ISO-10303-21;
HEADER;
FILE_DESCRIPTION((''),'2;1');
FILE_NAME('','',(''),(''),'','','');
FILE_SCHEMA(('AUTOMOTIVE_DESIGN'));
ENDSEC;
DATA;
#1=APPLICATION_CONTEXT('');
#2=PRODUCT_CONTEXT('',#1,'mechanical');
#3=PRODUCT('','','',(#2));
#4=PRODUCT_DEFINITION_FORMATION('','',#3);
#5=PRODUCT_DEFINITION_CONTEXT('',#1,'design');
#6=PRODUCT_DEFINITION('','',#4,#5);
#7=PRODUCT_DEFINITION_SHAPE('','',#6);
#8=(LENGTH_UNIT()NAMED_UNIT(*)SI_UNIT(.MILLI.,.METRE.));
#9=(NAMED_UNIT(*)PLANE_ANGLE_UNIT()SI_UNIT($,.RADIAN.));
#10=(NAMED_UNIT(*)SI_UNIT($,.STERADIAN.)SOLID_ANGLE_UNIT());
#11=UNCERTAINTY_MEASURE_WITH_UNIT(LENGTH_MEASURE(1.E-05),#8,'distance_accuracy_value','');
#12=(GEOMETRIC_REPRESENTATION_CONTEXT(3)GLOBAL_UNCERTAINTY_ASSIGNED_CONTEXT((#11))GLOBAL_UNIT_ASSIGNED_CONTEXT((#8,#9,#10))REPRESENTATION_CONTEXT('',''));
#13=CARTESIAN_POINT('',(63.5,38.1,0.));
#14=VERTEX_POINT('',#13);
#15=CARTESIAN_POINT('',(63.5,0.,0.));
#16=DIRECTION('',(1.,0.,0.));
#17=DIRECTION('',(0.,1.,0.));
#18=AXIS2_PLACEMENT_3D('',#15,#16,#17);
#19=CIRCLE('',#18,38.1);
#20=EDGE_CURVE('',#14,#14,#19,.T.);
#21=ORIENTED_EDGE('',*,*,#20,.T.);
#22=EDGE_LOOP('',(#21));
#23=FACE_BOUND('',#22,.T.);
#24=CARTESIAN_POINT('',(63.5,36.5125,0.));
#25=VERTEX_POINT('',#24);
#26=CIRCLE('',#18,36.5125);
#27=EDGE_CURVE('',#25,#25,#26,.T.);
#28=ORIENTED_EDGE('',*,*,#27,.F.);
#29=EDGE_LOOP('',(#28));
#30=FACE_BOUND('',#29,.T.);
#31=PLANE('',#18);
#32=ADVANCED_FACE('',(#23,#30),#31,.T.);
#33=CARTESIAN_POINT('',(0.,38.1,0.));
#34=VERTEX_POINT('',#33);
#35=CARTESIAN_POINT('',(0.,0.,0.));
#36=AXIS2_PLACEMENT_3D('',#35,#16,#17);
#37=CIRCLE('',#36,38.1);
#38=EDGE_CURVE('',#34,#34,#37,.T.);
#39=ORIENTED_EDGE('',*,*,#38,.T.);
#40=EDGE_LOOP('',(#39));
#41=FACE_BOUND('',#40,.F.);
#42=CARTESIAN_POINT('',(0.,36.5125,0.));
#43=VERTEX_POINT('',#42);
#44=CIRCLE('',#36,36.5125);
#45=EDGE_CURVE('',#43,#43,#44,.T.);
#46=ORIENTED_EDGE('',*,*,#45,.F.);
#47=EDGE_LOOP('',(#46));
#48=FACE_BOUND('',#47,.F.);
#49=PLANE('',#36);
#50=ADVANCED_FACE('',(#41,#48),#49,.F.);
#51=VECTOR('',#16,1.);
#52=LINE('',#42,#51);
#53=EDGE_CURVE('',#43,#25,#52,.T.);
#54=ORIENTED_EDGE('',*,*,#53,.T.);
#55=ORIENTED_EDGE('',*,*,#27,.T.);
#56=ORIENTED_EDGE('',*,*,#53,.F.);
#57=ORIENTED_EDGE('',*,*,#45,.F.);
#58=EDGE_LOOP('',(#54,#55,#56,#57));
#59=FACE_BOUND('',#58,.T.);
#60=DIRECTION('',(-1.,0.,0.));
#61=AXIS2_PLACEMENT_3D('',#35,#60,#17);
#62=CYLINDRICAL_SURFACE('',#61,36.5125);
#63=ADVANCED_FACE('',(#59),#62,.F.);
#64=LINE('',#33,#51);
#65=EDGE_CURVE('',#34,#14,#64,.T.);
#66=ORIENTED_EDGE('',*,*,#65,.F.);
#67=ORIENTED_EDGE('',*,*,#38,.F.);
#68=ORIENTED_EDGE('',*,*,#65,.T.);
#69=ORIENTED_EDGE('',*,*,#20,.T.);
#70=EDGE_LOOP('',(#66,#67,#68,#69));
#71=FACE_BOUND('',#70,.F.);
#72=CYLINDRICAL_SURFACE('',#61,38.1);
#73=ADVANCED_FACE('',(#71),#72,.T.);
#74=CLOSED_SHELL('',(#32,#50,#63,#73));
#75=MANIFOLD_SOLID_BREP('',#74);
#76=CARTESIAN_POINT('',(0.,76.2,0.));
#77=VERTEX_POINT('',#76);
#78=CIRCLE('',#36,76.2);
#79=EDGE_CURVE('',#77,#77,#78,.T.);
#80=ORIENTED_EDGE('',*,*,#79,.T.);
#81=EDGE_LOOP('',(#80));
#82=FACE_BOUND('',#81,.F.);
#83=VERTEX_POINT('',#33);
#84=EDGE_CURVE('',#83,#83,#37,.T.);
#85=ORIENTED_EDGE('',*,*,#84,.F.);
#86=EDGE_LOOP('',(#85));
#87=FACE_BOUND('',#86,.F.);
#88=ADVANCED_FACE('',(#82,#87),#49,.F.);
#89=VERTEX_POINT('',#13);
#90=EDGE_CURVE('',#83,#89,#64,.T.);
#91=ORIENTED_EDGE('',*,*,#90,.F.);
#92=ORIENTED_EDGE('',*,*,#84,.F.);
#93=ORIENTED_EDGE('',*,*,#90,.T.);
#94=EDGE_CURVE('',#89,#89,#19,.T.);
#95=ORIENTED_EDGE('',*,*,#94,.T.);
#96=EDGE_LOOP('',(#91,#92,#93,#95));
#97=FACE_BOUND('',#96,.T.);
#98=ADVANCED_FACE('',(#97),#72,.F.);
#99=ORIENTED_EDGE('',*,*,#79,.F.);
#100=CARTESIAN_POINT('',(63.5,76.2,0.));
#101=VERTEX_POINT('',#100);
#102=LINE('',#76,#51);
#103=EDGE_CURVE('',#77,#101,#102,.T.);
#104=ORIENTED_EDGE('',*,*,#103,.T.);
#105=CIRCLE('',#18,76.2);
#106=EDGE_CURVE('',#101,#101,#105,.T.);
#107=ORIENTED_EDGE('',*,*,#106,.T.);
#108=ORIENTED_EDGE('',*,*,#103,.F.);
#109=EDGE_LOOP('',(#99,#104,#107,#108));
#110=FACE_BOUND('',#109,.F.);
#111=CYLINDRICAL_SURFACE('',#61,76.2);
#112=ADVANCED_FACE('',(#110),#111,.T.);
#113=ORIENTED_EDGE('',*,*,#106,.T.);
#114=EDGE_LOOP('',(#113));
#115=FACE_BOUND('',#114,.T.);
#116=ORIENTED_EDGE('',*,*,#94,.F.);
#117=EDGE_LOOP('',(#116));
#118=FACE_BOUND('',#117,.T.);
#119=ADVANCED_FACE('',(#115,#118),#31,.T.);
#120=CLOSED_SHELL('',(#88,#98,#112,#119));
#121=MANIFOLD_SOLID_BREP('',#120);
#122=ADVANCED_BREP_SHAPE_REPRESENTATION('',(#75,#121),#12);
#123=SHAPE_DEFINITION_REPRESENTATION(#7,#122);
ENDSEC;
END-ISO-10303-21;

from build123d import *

# Parameters (mm, degrees)
F0_R     = 76.2
F0_R_2   = 38.1
F1_DEPTH = 63.5
F0_R_3   = 36.5125
F2_DEPTH = 63.5


with BuildPart() as f1:
    # F0 (on Right) → F1 (new body)
    with BuildSketch(Plane.YZ):
        Circle(F0_R)
        Circle(F0_R_2, mode=Mode.SUBTRACT)
    extrude(amount=F1_DEPTH)


with BuildPart() as f2:
    # F0 (on Right) → F2 (new body)
    with BuildSketch(Plane.YZ):
        Circle(F0_R_2)
        Circle(F0_R_3, mode=Mode.SUBTRACT)
    extrude(amount=F2_DEPTH)


solid = Compound([f1.part, f2.part])
